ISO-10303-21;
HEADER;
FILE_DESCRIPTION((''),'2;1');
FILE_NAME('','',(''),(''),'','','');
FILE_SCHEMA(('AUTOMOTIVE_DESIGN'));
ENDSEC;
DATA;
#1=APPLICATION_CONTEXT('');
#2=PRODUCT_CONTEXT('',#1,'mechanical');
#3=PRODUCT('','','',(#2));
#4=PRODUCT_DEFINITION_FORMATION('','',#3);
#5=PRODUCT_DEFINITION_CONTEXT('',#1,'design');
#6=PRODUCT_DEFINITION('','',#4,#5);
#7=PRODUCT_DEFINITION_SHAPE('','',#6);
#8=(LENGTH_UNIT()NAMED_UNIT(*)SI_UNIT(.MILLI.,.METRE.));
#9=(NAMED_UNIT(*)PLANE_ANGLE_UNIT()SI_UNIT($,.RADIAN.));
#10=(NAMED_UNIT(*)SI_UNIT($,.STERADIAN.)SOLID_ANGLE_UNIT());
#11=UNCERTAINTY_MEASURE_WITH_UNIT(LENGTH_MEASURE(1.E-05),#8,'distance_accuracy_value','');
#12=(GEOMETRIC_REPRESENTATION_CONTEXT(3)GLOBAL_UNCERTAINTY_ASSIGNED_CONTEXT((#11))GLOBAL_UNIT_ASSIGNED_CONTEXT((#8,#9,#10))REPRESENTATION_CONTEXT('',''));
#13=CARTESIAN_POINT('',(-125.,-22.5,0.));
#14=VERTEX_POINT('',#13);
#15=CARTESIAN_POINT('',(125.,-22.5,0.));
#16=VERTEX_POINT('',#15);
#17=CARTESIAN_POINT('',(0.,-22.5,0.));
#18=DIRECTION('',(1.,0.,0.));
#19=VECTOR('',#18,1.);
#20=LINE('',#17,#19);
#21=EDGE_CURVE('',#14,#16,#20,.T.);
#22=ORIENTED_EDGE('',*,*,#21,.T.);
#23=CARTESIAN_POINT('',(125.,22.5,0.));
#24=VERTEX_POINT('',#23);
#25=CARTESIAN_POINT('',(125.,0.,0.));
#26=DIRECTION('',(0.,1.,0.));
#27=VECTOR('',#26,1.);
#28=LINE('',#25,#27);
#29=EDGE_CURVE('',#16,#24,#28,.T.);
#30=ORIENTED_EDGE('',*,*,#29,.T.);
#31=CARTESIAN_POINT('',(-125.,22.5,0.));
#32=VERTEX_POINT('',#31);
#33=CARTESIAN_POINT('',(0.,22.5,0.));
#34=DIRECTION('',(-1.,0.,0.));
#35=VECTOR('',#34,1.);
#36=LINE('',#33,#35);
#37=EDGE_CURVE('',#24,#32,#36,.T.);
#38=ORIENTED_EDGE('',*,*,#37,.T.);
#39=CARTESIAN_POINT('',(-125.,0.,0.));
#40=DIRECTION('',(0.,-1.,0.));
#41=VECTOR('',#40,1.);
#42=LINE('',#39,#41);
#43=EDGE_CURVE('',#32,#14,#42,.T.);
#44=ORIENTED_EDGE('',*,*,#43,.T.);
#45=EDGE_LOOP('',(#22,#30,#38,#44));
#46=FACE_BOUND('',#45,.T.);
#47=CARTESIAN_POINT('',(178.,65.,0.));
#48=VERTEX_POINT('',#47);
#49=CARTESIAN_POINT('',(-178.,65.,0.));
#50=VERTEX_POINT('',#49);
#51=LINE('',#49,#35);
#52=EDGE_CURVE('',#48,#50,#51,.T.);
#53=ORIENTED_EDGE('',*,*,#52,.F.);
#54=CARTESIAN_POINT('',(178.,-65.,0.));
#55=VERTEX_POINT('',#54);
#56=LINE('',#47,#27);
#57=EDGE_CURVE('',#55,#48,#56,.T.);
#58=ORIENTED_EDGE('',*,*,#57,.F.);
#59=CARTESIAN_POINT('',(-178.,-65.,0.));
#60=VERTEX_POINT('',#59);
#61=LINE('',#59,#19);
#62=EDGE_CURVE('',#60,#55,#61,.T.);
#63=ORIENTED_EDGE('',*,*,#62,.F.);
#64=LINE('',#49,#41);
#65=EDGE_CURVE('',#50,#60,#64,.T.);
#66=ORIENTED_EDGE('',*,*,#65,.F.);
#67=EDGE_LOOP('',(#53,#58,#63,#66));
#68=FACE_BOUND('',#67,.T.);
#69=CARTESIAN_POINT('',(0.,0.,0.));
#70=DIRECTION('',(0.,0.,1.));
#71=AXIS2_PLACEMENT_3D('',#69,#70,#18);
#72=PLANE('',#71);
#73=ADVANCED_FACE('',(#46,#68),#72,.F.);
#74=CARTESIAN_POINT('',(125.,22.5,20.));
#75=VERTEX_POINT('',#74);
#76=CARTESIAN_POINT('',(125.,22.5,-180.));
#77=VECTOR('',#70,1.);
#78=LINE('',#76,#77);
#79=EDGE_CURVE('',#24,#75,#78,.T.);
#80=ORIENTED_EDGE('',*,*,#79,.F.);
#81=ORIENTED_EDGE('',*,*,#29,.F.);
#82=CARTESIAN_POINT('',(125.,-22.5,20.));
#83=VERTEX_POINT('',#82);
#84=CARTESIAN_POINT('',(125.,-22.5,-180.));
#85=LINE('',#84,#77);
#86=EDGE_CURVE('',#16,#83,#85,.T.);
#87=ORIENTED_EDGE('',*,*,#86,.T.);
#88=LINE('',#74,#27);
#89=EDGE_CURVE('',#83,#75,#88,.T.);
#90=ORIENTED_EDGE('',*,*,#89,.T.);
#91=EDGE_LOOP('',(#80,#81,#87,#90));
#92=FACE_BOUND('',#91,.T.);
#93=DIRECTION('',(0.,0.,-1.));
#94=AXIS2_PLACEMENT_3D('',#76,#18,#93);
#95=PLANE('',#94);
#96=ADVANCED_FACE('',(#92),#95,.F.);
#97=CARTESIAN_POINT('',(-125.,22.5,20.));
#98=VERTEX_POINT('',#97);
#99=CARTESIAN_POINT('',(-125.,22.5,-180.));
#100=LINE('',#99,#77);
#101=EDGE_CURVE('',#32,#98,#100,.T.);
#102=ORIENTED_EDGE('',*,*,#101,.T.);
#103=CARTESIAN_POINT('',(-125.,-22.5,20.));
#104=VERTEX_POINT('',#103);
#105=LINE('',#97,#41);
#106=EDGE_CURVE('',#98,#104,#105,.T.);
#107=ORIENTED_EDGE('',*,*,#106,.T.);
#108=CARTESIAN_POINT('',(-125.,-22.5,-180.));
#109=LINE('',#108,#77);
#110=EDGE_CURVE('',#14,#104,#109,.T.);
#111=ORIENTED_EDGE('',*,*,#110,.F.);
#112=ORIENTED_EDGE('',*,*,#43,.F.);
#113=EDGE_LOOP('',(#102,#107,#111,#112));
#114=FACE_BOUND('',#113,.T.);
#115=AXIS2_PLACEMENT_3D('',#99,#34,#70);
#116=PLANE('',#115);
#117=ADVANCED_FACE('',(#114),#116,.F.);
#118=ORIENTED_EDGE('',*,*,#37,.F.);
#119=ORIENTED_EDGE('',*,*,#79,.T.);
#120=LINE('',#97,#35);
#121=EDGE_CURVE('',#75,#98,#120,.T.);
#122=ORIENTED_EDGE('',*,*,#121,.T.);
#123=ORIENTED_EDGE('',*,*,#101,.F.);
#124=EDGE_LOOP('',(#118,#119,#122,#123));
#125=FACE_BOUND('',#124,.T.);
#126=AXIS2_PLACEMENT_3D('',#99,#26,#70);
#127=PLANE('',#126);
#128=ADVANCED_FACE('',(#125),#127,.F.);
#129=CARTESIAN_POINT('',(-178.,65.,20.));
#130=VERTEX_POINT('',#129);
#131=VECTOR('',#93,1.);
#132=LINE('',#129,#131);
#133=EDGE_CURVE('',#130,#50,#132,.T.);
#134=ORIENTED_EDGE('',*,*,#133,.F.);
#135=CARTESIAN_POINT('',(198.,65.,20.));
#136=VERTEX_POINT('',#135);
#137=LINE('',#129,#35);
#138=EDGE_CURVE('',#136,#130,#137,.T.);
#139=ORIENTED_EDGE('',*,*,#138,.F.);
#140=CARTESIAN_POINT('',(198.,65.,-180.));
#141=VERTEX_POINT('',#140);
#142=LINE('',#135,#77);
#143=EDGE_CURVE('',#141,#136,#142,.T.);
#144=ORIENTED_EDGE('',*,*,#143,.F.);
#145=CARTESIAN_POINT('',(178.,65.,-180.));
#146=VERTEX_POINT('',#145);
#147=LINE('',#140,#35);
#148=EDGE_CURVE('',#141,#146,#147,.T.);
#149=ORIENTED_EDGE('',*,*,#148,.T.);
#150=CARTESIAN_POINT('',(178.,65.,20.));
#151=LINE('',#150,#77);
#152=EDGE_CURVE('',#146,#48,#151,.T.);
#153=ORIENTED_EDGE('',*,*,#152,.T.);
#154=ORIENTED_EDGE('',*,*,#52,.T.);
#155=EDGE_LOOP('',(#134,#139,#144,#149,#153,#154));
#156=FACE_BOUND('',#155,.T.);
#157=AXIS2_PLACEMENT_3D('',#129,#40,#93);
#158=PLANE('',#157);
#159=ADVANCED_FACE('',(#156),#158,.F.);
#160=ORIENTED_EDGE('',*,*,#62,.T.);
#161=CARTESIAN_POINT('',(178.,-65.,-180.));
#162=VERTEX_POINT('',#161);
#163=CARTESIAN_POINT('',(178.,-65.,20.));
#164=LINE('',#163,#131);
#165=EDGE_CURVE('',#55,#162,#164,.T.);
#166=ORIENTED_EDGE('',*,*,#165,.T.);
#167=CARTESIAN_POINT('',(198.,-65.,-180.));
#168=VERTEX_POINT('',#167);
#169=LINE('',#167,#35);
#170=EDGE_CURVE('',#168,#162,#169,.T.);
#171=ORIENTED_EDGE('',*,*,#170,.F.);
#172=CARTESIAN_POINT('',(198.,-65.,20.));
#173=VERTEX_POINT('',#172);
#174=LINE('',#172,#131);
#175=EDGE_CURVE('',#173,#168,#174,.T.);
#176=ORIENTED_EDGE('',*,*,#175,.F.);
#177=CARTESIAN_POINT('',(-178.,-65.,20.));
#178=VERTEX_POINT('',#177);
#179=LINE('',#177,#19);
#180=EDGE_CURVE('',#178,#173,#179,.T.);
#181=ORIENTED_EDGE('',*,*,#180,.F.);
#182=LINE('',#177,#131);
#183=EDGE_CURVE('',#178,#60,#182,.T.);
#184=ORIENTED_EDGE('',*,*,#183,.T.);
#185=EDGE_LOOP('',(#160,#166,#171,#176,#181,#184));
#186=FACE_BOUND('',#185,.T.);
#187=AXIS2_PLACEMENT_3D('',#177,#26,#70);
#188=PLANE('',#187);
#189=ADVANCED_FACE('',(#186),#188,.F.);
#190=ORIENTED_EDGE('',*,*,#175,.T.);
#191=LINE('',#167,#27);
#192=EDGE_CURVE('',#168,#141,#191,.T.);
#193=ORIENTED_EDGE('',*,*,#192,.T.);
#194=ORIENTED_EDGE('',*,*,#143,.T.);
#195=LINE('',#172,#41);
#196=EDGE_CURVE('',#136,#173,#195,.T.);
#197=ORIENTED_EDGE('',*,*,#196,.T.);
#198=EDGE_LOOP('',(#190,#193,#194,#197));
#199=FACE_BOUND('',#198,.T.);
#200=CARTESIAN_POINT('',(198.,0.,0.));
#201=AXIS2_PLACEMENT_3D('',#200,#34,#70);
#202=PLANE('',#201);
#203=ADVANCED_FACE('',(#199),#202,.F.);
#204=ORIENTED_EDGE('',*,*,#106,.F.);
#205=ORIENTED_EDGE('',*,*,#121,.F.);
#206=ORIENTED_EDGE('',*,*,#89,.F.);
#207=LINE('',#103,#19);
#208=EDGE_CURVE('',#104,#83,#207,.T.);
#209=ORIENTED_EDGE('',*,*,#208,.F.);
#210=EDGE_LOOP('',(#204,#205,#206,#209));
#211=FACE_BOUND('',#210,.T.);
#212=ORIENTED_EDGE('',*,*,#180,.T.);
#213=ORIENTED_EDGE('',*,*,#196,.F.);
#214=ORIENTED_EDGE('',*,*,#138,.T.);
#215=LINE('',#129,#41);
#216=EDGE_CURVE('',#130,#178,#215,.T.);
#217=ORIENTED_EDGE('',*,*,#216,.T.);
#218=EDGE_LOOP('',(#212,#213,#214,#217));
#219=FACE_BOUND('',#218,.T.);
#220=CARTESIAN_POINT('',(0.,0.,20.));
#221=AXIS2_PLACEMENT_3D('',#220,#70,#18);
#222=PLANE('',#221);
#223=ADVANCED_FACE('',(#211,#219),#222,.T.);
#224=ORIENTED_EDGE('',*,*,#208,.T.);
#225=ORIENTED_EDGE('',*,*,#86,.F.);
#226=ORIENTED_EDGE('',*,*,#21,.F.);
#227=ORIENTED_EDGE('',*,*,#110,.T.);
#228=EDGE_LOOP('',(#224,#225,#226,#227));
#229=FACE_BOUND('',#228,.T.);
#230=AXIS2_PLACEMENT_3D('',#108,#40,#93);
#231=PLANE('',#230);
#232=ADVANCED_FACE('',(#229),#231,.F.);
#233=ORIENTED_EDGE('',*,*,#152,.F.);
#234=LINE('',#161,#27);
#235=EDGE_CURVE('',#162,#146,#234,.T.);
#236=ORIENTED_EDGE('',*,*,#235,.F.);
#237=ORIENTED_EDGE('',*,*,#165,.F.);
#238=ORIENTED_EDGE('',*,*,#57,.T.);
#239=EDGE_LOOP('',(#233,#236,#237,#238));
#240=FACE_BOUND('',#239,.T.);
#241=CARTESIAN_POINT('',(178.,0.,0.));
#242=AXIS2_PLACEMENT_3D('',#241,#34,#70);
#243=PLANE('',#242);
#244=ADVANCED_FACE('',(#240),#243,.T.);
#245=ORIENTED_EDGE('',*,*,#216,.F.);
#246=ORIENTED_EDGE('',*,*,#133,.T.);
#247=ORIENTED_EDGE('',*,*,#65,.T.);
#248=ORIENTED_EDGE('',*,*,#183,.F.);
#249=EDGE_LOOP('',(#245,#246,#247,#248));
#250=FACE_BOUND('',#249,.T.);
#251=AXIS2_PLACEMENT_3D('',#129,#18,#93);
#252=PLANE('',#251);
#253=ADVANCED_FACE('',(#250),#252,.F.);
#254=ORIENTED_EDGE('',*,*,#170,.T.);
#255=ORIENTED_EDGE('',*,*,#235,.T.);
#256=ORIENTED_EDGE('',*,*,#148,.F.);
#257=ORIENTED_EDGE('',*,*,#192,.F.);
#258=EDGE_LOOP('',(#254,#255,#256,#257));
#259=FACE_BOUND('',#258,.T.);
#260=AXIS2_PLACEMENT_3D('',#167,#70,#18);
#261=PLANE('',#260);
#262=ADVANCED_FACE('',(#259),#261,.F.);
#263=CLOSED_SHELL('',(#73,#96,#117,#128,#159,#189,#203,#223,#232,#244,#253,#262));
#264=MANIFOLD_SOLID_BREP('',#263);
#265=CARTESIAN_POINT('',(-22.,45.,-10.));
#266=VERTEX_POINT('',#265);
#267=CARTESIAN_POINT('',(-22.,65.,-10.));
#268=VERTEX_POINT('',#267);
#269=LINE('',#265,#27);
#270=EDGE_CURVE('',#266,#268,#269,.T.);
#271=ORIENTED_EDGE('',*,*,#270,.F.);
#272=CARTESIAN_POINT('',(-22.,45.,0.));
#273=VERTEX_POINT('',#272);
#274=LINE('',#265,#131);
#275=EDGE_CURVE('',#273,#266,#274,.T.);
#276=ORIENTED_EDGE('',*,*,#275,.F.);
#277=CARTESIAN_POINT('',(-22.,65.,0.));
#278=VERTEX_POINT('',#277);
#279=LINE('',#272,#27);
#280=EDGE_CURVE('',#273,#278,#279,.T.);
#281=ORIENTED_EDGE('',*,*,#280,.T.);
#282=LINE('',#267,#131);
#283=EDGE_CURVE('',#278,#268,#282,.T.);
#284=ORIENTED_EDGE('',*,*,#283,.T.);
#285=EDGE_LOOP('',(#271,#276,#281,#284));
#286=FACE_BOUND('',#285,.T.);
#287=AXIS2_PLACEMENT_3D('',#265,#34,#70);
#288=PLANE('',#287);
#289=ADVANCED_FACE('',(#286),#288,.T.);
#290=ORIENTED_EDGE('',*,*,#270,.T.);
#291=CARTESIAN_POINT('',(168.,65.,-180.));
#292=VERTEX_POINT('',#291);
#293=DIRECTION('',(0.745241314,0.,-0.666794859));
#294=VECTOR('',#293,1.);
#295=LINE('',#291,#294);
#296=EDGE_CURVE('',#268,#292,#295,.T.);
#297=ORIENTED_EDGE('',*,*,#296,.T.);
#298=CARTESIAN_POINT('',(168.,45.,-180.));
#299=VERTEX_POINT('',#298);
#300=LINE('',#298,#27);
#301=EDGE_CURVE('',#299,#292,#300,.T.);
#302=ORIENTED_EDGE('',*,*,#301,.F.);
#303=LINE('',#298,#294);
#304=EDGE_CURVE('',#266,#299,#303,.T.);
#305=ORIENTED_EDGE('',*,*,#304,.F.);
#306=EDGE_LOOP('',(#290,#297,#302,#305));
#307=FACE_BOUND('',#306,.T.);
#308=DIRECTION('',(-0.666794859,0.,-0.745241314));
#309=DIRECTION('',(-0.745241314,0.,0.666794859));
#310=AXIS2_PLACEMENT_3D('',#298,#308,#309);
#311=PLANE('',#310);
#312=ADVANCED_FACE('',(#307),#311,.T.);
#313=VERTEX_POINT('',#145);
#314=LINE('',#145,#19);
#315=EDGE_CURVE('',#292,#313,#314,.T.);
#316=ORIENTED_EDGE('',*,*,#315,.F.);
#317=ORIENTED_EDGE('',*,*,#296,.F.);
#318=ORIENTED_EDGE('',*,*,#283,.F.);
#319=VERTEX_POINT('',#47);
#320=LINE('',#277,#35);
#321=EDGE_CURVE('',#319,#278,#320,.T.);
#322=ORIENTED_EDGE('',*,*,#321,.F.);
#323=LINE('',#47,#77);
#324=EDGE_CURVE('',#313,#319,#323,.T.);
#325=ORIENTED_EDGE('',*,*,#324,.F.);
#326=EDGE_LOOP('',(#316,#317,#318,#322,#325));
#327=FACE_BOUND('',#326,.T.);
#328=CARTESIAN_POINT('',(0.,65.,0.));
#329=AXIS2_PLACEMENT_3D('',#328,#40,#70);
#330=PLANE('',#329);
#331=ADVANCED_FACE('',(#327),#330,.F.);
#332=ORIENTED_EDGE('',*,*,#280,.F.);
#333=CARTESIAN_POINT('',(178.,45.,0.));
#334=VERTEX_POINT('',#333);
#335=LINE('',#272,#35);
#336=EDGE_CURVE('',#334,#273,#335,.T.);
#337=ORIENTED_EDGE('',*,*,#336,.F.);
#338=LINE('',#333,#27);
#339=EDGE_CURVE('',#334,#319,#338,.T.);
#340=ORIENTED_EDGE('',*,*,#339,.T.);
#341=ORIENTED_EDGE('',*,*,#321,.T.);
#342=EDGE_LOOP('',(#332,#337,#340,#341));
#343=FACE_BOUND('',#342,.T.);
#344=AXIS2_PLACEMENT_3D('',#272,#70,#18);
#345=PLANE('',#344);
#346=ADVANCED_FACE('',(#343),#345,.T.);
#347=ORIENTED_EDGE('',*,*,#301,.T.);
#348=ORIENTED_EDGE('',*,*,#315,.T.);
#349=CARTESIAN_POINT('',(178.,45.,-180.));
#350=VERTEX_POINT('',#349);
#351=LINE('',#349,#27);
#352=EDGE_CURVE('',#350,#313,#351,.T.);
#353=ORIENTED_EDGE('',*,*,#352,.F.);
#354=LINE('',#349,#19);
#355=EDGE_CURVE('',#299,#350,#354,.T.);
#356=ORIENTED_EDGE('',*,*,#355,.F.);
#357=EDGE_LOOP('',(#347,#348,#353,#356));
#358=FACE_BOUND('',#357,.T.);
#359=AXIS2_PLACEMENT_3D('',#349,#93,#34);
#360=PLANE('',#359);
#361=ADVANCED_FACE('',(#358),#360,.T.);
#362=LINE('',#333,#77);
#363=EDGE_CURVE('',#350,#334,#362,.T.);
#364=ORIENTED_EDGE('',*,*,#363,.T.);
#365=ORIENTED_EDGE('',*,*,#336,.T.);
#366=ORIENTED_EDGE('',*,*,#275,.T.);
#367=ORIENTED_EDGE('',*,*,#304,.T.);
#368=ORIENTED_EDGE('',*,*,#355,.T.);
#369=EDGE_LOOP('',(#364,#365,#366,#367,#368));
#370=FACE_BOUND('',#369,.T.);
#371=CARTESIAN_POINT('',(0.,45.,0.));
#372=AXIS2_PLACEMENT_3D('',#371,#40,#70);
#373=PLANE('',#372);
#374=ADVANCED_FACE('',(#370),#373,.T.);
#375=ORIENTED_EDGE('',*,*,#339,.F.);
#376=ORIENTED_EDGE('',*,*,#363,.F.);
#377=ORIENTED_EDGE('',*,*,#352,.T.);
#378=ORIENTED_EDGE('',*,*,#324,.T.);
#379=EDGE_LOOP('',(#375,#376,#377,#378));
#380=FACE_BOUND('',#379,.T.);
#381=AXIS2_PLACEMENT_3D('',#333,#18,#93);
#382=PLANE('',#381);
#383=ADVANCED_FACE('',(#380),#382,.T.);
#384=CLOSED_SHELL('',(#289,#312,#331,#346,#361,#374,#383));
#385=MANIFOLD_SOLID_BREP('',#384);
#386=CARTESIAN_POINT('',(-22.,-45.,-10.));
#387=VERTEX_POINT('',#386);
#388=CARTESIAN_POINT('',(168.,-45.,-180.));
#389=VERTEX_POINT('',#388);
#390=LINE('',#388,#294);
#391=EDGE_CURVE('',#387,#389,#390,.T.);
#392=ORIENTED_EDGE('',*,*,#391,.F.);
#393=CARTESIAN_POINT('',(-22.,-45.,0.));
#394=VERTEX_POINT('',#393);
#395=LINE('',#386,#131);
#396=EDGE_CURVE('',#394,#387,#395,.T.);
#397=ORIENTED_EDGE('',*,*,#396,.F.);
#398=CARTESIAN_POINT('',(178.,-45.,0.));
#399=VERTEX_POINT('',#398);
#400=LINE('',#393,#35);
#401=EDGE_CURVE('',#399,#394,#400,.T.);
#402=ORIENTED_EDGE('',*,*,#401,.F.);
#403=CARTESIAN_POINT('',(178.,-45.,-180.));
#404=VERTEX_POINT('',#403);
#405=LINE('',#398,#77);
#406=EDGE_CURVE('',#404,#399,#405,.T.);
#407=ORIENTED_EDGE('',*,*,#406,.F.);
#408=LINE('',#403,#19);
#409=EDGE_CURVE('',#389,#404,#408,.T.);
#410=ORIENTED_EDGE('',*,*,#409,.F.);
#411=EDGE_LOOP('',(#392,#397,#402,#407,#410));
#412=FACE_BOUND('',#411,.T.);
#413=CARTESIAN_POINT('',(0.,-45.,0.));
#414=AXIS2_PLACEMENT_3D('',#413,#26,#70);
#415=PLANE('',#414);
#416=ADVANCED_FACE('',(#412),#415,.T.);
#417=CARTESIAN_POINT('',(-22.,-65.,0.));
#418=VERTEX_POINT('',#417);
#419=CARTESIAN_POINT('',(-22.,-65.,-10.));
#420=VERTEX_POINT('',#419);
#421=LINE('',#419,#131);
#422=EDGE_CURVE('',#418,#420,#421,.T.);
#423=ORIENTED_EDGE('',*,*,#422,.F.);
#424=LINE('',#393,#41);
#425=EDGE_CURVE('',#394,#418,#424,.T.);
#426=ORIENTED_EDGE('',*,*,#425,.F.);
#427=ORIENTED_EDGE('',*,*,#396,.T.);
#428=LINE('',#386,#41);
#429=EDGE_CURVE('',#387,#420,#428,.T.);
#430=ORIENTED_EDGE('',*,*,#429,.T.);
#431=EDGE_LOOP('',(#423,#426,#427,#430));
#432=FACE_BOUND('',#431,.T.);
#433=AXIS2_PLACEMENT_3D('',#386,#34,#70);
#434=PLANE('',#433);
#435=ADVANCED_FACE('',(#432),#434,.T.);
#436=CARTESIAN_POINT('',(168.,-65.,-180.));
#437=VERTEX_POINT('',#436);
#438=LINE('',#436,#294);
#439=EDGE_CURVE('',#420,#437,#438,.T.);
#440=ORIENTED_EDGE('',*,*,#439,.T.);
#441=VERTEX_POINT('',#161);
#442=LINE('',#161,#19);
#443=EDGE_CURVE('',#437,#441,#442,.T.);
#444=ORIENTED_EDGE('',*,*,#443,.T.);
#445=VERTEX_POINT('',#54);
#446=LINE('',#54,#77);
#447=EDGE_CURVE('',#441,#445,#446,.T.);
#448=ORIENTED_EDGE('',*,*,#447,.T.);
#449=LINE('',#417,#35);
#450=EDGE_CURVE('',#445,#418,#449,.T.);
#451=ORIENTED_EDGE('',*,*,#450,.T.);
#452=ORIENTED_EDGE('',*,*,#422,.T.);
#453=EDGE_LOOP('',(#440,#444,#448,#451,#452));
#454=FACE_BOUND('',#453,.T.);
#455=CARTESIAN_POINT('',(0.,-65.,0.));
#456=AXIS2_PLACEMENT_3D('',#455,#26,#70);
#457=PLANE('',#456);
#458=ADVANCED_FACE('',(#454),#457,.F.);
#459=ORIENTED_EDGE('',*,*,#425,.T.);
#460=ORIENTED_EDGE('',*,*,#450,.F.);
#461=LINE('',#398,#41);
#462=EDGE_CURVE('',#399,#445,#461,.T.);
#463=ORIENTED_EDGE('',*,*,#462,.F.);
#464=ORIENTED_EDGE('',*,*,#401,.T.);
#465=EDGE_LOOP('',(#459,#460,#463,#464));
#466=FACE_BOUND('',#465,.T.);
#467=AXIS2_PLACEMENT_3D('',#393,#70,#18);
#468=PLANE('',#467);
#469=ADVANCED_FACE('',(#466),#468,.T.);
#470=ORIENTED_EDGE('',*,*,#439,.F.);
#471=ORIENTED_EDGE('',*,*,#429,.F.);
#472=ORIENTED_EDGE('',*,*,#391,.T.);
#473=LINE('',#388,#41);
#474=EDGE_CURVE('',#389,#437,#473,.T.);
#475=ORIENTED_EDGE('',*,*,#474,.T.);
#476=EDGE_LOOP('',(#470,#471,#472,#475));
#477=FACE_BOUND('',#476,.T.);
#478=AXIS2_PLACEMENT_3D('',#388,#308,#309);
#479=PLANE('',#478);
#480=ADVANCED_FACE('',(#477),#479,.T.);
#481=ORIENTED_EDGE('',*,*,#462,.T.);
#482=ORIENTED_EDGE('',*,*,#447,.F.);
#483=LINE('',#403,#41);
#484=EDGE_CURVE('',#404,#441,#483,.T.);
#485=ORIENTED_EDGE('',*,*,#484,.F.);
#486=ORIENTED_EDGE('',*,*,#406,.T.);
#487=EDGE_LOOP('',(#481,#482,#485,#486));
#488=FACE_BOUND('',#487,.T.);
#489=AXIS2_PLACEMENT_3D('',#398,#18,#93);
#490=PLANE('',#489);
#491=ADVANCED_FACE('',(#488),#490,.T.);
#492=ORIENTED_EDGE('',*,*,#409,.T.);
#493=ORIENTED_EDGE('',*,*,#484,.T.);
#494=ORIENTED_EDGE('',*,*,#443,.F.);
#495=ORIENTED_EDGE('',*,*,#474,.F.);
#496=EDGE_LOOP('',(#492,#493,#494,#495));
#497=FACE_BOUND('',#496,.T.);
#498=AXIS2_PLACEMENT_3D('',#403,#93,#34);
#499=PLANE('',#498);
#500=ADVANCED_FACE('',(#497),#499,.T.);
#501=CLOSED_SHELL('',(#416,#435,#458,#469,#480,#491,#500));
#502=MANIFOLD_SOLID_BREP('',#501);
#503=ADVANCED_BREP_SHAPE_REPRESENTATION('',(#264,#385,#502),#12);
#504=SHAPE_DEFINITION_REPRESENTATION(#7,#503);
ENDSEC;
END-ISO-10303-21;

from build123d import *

# Parameters (mm, degrees)
SKETCH_1_W          = 356
SKETCH_1_H          = 130
EXTRUDE_1_DEPTH     = 20
SKETCH_2_W          = 200
SKETCH_2_H          = 130
EXTRUDE_2_DEPTH     = 20
EXTRUDE_3_DEPTH     = 20
SKETCH_4_W          = 250
SKETCH_4_H          = 45
CUT_EXTRUDE_1_DEPTH = 289.840786594


with BuildPart() as part:
    # 草图1 → 凸台-拉伸1 (new body)
    with BuildSketch(Plane.XY):
        Rectangle(SKETCH_1_W, SKETCH_1_H)
    extrude(amount=EXTRUDE_1_DEPTH)

    # 草图2 → 凸台-拉伸2 (add)
    with BuildSketch(Plane(origin=(178, 0, 0), x_dir=(0, 0, -1), z_dir=(1, 0, 0))):
        with Locations((80, 0)):
            Rectangle(SKETCH_2_W, SKETCH_2_H)
    extrude(amount=EXTRUDE_2_DEPTH)

    # 草图4 → 切除-拉伸1 (cut, through all)
    with BuildSketch(Plane.XY.offset(20)):
        Rectangle(SKETCH_4_W, SKETCH_4_H)
    extrude(amount=-CUT_EXTRUDE_1_DEPTH, mode=Mode.SUBTRACT)


with BuildPart() as body_2:
    # 草图3 → 凸台-拉伸3 (new body)
    with BuildSketch(Plane.XZ.offset(65)):
        Polygon((178, -180), (168, -180), (-22, -10), (-22, 0), (178, 0), align=None)
    extrude(amount=-EXTRUDE_3_DEPTH)


with BuildPart() as body_3:
    # 镜向2: mirrored copy
    add(body_2.part.mirror(Plane.ZX))


solid = Compound([part.part, body_2.part, body_3.part])
